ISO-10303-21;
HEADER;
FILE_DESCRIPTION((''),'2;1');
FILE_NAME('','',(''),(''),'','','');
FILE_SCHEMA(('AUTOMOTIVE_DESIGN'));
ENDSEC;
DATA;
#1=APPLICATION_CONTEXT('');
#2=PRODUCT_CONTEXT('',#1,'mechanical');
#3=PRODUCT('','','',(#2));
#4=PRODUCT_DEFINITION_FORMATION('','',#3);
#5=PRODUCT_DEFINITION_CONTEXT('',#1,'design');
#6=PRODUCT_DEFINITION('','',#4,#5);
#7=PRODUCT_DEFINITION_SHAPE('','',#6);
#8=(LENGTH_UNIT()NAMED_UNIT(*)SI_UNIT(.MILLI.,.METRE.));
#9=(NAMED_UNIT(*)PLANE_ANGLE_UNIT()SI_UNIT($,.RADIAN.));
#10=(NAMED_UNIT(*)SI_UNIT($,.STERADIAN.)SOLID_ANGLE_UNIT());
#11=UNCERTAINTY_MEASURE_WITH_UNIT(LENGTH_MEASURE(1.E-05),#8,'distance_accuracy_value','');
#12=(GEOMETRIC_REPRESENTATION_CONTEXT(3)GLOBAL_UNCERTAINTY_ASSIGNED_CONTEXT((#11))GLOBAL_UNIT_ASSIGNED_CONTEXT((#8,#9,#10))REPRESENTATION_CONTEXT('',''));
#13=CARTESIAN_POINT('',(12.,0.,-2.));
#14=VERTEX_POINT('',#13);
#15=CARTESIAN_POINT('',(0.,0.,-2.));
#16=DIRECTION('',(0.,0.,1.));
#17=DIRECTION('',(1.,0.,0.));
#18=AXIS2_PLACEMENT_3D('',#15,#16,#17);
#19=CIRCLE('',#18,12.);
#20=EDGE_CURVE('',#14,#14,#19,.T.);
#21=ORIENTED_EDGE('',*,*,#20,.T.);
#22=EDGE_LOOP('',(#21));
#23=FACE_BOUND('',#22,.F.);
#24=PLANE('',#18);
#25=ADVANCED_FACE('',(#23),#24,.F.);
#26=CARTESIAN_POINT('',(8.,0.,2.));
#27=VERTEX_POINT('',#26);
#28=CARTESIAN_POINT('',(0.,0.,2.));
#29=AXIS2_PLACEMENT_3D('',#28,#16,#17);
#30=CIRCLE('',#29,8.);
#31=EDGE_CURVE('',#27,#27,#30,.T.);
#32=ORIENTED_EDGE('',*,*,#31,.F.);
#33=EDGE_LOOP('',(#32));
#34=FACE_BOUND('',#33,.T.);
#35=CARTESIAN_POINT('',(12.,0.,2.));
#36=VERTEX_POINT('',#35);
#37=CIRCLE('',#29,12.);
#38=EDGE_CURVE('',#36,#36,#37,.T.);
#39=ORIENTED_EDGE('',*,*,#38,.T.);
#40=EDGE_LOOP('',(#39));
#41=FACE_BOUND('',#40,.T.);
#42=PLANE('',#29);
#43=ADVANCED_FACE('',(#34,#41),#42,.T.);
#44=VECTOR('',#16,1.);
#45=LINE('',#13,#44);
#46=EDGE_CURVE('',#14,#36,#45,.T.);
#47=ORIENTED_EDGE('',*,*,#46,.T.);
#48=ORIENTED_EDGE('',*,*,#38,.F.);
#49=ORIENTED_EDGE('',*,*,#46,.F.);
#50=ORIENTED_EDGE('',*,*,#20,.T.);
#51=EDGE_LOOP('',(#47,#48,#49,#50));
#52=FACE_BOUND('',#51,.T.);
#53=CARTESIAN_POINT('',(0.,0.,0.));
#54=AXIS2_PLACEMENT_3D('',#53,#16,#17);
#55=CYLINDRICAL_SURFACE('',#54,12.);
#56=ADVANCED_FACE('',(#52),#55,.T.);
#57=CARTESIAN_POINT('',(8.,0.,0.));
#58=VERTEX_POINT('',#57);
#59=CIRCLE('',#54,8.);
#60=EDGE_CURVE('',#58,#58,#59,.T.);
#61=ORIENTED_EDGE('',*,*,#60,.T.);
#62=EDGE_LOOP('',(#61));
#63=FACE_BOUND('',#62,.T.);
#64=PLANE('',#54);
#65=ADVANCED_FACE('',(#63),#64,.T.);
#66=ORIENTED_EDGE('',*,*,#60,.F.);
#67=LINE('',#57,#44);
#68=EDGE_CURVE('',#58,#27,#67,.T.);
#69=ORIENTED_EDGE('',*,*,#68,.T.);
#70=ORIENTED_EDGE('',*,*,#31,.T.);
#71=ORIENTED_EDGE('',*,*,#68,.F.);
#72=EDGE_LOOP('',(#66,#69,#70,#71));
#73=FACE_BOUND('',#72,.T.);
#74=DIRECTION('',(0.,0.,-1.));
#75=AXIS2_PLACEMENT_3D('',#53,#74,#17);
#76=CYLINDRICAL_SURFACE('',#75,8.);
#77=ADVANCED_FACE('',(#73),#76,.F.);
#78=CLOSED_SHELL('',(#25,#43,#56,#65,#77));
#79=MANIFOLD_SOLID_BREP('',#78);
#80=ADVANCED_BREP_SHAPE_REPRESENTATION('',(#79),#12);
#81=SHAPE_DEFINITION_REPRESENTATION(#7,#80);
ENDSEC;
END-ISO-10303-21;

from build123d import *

# Parameters (mm, degrees)
SKETCH_R     = 12
PAD_DEPTH    = 2
SKETCH001_R  = 8
POCKET_DEPTH = 2


with BuildPart() as part:
    # Sketch → Pad (new body, symmetric)
    with BuildSketch(Plane.XY):
        Circle(SKETCH_R)
    extrude(amount=PAD_DEPTH, both=True)

    # Sketch001 → Pocket (cut)
    with BuildSketch(Plane.XY):
        Circle(SKETCH001_R)
    extrude(amount=POCKET_DEPTH, mode=Mode.SUBTRACT)


solid = part.part
